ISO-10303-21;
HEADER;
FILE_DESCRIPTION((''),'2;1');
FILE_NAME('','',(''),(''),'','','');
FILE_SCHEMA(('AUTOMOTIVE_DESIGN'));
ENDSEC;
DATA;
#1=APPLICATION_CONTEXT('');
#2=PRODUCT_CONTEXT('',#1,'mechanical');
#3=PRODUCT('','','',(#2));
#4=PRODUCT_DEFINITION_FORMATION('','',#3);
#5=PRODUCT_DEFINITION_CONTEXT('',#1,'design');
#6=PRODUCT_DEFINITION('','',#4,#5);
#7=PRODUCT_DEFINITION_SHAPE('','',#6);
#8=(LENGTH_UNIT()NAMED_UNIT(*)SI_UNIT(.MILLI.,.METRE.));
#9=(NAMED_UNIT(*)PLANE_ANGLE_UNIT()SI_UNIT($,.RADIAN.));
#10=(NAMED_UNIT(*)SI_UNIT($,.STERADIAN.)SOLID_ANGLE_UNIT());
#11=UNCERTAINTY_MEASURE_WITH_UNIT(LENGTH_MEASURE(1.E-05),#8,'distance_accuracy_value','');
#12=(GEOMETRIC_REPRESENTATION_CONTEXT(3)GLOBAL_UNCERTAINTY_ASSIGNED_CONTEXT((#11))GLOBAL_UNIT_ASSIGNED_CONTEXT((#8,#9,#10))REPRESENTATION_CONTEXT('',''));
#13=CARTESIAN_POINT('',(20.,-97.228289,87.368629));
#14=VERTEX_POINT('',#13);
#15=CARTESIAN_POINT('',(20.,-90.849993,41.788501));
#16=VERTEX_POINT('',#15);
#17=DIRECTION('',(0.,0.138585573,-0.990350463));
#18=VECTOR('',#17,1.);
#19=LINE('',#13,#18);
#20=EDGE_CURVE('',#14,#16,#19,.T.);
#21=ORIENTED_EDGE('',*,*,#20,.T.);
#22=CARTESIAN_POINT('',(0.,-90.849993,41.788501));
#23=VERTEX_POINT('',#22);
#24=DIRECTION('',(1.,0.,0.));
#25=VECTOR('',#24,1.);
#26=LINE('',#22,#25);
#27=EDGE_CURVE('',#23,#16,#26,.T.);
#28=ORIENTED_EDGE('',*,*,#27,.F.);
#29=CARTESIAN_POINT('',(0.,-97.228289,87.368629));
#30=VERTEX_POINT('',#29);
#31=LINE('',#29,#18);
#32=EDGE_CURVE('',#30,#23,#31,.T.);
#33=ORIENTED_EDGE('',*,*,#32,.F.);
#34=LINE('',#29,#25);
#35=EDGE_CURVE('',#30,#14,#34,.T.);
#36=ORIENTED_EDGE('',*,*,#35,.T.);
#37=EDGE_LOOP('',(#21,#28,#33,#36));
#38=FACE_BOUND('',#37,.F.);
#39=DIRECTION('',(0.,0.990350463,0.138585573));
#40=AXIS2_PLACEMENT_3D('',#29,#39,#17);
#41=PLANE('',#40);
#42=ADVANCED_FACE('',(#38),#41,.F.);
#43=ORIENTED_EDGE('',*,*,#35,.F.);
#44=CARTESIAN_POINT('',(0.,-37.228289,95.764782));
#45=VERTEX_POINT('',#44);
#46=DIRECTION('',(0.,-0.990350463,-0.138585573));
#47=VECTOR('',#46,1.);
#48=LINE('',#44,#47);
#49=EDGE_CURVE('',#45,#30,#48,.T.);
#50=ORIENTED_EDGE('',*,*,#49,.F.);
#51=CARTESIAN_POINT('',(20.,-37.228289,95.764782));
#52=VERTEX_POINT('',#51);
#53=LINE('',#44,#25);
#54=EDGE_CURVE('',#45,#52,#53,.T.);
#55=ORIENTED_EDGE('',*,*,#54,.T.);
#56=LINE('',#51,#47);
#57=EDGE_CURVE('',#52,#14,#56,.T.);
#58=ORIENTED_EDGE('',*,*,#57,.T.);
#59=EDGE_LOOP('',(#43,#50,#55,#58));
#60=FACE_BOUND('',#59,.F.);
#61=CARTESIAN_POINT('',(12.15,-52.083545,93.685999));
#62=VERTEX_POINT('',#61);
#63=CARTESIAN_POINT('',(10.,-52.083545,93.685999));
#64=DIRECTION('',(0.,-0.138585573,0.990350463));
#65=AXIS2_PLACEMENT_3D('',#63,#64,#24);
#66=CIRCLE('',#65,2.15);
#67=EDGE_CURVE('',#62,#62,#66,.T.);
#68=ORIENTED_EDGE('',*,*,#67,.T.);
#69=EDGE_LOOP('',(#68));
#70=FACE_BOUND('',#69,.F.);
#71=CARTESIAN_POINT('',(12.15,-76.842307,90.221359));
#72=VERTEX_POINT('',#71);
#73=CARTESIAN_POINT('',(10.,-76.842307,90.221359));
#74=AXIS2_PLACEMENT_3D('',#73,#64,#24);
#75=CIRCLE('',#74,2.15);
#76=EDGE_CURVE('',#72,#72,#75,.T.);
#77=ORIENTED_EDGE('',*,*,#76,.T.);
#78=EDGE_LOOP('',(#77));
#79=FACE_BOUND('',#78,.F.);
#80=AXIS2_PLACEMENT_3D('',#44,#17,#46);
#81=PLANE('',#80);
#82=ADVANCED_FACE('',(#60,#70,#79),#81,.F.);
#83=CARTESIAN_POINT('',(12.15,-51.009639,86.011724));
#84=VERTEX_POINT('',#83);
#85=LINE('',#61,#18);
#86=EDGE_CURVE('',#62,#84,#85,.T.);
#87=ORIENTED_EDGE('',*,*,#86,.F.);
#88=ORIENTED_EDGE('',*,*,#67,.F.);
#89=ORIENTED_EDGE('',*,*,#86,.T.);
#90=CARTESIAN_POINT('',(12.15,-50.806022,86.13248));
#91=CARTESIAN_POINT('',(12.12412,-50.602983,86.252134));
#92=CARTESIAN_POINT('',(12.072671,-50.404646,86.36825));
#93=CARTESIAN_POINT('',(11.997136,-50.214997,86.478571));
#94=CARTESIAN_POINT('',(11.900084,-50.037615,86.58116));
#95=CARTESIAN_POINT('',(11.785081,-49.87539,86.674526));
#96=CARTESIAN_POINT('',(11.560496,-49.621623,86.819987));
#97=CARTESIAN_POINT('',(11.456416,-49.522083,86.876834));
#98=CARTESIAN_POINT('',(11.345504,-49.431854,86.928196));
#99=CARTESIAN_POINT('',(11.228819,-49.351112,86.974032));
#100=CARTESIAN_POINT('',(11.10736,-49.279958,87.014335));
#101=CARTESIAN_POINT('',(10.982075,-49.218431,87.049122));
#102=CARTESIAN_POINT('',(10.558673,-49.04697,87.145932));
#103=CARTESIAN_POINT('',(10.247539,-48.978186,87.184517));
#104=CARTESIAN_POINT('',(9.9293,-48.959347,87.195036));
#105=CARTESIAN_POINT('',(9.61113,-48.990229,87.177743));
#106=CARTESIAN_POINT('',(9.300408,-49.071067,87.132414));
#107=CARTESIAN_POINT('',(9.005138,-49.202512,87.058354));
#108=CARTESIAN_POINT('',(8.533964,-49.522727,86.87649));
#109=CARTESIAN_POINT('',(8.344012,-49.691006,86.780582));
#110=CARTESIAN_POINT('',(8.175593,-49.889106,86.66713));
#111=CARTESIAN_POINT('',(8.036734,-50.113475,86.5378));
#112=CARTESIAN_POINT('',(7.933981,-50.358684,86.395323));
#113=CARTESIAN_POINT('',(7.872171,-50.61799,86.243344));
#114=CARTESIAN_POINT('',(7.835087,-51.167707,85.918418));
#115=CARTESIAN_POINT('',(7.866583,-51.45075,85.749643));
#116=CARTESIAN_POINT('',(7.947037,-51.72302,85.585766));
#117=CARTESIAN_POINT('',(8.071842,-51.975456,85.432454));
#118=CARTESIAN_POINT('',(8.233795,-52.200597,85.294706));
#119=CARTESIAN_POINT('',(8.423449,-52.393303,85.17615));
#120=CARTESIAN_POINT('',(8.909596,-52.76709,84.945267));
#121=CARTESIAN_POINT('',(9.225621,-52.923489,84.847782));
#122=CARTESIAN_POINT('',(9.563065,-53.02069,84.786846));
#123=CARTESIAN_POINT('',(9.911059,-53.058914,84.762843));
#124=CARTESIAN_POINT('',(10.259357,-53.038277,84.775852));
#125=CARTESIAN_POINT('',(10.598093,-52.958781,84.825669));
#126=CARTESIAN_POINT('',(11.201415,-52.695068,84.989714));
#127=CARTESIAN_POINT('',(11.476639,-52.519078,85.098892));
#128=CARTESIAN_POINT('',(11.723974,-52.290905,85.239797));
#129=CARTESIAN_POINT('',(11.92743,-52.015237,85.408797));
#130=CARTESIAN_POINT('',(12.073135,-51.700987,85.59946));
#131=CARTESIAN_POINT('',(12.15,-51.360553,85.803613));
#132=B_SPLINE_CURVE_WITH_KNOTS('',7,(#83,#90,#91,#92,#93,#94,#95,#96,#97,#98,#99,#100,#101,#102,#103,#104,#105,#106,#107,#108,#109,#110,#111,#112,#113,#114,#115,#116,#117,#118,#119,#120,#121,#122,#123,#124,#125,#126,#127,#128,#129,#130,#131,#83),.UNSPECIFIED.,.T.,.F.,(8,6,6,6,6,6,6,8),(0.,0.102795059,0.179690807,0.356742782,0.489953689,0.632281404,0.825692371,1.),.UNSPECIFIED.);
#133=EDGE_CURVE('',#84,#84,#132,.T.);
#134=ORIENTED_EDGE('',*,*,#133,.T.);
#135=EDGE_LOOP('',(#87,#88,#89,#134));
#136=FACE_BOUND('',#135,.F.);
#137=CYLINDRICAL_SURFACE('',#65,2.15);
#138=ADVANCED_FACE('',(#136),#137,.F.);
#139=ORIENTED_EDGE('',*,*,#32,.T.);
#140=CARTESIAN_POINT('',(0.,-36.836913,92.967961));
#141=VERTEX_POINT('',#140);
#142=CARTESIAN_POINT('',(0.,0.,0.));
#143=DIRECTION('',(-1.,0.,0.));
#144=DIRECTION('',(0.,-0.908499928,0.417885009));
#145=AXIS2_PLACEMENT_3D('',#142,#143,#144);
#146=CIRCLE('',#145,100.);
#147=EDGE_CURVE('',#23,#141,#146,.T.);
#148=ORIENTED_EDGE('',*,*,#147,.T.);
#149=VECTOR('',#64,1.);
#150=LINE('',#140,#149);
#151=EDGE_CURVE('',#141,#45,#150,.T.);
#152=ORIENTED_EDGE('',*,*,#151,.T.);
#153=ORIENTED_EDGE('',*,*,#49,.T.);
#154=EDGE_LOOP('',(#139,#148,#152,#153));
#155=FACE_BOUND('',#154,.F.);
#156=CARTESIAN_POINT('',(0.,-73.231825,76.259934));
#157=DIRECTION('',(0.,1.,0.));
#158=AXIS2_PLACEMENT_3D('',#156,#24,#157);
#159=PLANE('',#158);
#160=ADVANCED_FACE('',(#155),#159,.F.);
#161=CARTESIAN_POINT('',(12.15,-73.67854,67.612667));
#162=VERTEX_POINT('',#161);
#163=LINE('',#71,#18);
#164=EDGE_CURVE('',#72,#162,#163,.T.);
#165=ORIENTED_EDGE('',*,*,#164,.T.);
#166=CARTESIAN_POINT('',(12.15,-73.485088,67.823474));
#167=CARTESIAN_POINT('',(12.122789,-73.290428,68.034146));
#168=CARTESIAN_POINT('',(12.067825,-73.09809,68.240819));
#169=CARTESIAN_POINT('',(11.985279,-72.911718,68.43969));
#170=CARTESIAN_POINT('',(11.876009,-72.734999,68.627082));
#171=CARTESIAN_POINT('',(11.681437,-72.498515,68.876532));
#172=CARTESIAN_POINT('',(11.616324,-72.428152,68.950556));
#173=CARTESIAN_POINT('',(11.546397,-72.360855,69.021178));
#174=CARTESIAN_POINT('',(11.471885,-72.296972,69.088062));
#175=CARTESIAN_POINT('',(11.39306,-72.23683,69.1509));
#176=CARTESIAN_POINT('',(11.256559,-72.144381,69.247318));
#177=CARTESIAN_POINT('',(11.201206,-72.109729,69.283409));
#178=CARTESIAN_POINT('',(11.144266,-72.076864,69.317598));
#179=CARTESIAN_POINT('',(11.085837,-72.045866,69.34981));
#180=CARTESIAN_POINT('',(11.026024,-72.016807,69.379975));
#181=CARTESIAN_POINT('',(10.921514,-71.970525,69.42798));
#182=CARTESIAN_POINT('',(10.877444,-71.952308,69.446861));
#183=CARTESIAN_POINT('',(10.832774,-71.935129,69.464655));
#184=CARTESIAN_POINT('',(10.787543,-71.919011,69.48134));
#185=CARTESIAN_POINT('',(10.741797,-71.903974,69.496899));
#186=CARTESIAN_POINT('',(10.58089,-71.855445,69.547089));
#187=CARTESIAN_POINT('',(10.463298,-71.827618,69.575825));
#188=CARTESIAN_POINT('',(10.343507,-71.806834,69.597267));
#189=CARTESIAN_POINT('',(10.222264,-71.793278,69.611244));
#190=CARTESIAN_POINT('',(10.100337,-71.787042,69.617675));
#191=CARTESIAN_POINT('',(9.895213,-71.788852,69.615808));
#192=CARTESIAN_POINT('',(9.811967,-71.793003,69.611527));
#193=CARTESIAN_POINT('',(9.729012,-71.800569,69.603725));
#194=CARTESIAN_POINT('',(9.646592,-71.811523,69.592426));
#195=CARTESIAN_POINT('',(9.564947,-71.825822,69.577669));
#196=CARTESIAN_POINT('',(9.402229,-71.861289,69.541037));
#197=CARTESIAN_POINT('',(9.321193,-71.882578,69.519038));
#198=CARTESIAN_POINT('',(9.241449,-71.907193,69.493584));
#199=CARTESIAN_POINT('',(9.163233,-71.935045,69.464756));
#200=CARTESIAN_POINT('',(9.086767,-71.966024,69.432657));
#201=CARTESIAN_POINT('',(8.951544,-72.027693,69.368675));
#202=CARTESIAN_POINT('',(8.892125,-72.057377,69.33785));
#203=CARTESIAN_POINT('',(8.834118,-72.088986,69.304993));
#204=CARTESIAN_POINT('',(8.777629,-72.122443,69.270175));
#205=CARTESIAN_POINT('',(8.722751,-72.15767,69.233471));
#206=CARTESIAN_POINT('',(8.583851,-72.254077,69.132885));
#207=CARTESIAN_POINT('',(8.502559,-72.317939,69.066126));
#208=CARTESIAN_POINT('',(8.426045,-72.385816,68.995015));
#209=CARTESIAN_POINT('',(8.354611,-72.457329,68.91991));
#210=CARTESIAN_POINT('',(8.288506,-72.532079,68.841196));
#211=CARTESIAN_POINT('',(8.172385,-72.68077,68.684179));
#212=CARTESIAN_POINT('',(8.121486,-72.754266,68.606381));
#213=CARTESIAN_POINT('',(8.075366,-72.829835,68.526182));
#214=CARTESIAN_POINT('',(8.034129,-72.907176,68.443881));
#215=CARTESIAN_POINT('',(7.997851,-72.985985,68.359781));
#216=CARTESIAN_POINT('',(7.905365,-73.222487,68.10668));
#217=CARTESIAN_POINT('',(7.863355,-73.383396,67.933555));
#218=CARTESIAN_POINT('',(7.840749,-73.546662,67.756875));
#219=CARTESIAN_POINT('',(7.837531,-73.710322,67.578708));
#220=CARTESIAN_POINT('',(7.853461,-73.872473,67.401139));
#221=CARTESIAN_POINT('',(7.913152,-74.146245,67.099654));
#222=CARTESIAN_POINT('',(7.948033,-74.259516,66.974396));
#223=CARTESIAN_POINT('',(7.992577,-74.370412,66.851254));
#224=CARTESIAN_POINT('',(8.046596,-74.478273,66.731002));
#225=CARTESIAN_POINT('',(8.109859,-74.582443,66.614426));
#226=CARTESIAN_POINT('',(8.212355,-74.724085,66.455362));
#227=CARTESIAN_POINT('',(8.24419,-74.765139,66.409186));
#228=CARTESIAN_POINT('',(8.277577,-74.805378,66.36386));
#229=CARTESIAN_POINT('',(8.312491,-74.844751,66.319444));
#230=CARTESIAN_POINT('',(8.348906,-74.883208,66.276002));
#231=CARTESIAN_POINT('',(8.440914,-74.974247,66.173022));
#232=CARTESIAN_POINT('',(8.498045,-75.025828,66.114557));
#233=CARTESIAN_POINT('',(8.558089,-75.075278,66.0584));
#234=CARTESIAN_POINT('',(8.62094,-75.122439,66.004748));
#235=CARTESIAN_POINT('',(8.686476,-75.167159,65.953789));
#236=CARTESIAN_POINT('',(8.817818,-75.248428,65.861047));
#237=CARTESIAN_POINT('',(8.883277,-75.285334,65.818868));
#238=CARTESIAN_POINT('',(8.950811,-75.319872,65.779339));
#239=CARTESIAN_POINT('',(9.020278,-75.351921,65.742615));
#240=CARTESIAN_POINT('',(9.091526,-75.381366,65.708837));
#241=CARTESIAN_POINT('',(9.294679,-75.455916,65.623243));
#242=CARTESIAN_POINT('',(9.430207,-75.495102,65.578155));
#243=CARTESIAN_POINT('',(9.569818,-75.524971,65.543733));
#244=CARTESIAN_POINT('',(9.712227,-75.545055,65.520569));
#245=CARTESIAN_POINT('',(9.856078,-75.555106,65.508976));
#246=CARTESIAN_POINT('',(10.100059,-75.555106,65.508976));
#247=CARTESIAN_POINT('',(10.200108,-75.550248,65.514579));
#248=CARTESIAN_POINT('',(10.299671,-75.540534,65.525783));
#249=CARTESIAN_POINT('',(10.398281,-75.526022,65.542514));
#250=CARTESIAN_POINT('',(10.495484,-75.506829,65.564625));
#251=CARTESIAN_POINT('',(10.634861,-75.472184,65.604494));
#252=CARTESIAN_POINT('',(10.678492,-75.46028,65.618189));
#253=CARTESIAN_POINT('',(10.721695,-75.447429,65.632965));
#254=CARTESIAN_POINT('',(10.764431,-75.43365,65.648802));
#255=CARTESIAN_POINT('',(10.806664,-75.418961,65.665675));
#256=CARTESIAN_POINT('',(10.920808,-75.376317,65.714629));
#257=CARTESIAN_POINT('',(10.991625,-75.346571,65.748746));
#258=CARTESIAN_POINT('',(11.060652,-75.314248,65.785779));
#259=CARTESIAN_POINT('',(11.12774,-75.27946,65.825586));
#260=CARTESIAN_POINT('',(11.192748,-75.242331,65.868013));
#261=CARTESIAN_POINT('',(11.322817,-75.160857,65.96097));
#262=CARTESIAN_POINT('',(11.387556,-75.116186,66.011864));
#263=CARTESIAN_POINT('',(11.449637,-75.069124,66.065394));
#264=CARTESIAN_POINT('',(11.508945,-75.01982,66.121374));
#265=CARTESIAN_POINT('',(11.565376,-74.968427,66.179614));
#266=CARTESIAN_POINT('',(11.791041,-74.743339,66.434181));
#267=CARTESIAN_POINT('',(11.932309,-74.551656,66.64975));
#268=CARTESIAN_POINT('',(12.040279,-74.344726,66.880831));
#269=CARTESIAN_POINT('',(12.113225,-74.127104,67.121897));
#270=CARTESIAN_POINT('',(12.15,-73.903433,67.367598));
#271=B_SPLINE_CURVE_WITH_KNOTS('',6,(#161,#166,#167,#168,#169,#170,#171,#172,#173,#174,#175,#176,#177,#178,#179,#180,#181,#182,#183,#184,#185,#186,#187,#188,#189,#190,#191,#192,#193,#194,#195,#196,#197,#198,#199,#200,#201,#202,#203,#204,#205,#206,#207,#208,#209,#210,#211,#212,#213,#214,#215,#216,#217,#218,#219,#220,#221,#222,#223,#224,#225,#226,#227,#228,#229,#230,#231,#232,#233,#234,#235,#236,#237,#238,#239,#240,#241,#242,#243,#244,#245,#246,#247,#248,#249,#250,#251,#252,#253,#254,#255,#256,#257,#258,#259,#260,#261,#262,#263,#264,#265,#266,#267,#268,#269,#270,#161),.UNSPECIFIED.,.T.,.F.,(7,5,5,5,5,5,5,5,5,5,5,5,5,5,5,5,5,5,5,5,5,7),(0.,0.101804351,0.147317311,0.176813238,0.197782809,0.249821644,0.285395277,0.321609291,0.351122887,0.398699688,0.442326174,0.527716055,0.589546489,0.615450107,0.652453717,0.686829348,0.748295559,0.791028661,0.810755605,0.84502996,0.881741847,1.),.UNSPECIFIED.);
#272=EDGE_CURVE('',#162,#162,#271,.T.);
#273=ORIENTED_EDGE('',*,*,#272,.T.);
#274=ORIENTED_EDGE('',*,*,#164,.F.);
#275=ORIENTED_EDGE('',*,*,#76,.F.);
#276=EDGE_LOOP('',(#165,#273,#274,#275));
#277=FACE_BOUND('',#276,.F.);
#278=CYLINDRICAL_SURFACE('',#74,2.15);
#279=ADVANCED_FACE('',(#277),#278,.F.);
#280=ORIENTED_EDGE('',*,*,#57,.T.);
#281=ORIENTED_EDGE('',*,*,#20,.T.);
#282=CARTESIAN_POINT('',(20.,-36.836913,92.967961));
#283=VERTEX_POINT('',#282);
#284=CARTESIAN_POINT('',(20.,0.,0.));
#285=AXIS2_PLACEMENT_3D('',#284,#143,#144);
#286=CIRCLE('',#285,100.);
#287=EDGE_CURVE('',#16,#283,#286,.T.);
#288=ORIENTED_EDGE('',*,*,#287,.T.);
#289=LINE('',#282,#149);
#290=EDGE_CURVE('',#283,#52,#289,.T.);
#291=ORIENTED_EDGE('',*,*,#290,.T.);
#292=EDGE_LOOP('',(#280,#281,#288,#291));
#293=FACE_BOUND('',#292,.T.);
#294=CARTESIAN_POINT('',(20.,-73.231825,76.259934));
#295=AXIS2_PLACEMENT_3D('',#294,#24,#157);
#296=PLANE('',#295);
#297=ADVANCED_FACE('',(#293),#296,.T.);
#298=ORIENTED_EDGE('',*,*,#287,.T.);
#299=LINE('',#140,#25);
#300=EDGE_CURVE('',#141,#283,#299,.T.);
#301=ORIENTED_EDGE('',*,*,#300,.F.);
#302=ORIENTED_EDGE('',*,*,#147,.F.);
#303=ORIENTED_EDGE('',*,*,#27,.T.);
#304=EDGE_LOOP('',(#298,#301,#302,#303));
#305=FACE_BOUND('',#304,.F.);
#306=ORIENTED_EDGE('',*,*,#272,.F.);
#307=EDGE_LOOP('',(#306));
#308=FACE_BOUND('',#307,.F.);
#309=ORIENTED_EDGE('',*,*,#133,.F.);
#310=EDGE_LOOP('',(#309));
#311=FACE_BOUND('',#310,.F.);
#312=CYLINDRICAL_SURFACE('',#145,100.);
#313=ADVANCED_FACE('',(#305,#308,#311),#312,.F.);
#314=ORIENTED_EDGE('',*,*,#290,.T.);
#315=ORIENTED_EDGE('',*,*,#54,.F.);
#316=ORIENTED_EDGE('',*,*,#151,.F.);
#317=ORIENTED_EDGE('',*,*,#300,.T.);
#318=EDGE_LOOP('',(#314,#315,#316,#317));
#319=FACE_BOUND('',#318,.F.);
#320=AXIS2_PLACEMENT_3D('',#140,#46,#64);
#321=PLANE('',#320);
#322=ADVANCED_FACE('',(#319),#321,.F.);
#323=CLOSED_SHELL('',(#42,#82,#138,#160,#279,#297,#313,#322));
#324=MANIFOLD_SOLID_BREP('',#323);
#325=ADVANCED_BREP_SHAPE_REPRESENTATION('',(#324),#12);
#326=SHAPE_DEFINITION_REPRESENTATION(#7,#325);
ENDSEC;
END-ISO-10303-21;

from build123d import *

# Parameters (mm, degrees)
F2_DEPTH = 20
F3_R     = 2.15
F4_DEPTH = 53.5106741103


with BuildPart() as f2:
    # F1 (on Right) → F2 (new body)
    with BuildSketch(Plane.YZ):
        with BuildLine():
            Line((-37.2282885411, 95.76478214), (-97.2282885411, 87.3686287681))
            Line((-97.2282885411, 87.3686287681), (-90.8499928032, 41.7885009023))
            ThreePointArc((-90.8499928032, 41.7885009023), (-68.7809622542, 72.5891123475), (-36.8369129415, 92.9679613896))
            Line((-36.8369129415, 92.9679613896), (-37.2282885411, 95.76478214))
        make_face()
    extrude(amount=F2_DEPTH)

    # F3 (on face) → F4 (cut, through all)
    with BuildSketch(Plane(origin=(0, -13.8585572946, 99.0350462701), x_dir=(1, 0, 0), z_dir=(0, -0.1385855729, 0.9903504627))):
        with Locations((10, -38.5974355813)):
            Circle(F3_R)
        with Locations((10, -63.5974355813)):
            Circle(F3_R)
    extrude(amount=-F4_DEPTH, mode=Mode.SUBTRACT)


solid = f2.part
